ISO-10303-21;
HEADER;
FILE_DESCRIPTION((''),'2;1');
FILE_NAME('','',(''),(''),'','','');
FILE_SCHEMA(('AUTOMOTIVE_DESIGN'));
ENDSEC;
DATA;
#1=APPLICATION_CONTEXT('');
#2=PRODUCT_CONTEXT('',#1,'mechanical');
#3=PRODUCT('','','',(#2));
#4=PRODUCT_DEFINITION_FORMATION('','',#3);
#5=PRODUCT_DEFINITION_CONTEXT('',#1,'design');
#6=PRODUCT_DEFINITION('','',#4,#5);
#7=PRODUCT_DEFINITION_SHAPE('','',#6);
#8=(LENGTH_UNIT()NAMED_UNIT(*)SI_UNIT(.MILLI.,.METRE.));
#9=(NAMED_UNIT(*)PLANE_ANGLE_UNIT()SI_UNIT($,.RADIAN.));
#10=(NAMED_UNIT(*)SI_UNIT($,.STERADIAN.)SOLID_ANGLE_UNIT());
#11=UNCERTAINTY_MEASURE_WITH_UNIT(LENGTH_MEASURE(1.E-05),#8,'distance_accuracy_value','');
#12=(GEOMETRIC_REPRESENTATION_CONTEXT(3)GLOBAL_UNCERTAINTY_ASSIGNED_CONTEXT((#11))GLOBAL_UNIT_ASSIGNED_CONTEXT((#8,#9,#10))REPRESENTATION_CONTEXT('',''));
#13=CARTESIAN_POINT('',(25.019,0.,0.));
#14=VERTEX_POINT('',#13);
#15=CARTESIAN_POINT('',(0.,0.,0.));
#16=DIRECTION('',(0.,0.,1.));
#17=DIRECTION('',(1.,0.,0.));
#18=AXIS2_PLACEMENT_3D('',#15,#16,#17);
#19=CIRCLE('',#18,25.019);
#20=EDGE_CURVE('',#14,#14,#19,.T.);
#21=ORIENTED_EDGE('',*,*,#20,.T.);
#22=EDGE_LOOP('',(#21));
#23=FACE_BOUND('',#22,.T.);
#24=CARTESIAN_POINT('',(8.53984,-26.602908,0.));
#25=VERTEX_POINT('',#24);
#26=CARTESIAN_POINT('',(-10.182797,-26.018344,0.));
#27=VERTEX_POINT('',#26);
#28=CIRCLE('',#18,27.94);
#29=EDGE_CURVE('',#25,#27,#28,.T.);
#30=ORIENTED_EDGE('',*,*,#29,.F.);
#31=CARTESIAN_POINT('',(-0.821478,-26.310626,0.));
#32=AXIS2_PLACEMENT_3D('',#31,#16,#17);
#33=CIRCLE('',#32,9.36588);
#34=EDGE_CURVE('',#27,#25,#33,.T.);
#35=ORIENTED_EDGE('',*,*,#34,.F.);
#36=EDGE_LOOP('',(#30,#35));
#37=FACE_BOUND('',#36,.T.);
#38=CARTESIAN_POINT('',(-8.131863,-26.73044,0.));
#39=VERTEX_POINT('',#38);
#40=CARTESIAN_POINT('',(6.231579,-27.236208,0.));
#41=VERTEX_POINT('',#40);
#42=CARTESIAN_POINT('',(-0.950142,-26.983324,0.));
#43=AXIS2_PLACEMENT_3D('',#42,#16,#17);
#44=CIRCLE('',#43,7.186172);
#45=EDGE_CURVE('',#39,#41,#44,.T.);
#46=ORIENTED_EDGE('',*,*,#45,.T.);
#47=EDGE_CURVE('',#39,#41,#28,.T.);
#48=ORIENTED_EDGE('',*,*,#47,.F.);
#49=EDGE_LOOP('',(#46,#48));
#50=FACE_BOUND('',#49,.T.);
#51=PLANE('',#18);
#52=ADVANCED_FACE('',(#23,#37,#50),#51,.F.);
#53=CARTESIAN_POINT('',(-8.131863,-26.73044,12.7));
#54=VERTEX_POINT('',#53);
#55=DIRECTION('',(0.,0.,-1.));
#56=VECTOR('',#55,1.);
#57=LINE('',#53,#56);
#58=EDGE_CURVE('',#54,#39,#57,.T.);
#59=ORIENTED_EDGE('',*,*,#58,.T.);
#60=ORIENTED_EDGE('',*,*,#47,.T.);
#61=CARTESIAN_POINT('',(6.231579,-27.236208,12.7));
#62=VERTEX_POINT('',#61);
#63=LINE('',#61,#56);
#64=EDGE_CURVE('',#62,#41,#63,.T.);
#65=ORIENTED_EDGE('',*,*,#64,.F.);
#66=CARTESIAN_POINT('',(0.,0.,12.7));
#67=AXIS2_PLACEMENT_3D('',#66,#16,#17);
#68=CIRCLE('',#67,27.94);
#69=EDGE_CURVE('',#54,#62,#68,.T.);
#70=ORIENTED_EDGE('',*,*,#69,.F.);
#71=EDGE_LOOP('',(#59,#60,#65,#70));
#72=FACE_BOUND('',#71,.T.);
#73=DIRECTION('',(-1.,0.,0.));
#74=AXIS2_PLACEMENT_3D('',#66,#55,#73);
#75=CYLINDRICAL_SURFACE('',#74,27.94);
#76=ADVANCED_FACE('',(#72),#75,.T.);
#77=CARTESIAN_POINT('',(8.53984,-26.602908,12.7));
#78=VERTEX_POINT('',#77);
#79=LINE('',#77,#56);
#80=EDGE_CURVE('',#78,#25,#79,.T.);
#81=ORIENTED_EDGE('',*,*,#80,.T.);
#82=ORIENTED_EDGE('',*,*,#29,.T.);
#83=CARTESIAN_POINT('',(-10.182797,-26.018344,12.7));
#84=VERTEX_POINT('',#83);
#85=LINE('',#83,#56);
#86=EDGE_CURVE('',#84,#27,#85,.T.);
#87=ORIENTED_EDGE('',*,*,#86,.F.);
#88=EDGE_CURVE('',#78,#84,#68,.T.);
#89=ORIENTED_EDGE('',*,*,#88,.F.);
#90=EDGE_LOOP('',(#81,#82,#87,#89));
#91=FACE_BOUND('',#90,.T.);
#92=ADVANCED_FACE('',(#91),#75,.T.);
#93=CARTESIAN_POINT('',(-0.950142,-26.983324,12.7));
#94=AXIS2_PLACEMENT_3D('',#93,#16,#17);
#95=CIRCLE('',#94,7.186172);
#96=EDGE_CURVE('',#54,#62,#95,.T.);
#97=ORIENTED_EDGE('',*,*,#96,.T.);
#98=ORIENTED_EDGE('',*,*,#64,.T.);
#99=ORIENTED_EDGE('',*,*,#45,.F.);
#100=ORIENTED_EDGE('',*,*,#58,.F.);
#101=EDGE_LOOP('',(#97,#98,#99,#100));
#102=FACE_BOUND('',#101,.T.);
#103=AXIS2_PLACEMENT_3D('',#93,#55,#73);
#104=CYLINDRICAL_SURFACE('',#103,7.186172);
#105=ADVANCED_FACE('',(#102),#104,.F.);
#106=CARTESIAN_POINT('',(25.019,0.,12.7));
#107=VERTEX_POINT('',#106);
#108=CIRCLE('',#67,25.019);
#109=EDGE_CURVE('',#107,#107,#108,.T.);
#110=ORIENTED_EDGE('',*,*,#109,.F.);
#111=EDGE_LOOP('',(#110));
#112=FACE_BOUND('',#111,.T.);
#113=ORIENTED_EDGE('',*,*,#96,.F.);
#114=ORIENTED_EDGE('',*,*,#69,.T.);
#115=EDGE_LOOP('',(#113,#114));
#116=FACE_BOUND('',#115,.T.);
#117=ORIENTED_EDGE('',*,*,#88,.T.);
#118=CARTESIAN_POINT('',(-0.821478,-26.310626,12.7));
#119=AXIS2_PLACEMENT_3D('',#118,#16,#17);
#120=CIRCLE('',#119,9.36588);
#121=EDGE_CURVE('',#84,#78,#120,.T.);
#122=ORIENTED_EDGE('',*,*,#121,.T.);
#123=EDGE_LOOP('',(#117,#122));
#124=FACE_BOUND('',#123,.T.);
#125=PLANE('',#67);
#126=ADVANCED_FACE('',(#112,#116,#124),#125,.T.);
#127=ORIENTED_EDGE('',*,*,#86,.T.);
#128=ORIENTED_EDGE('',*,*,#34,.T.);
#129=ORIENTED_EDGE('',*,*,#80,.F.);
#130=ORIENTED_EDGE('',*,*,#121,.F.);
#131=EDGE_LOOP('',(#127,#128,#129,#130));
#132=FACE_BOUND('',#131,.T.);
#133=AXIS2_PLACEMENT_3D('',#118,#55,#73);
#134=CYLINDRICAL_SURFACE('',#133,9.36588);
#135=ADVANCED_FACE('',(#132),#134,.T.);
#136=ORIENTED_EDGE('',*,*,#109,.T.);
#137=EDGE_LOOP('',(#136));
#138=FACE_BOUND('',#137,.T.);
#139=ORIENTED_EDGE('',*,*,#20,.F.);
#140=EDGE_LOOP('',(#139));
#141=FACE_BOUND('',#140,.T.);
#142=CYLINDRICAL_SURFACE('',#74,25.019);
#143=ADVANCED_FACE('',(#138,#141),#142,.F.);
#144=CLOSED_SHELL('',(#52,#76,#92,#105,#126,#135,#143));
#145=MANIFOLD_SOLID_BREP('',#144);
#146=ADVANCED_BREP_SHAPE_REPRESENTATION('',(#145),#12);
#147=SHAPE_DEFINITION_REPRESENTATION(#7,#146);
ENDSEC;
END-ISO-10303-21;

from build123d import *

# Parameters (mm, degrees)
SKETCH1_R           = 27.94
SKETCH1_R_2         = 25.019
BOSS_EXTRUDE1_DEPTH = 12.7


with BuildPart() as part:
    # Sketch1 → Boss-Extrude1 (new body)
    with BuildSketch(Plane.XY):
        with BuildLine():
            ThreePointArc((-8.131862647, -26.730439762), (-9.164248984, -26.394320233), (-10.182796999, -26.018344399))
            ThreePointArc((-10.182796999, -26.018344399), (-1.113760176, -35.671945029), (8.539840454, -26.602908206))
            ThreePointArc((8.539840454, -26.602908206), (7.392494358, -26.944287468), (6.231578661, -27.236208021))
            ThreePointArc((6.231578661, -27.236208021), (-1.203026122, -34.165044546), (-8.131862647, -26.730439762))
        make_face()
        Circle(SKETCH1_R)
        Circle(SKETCH1_R_2, mode=Mode.SUBTRACT)
    extrude(amount=BOSS_EXTRUDE1_DEPTH)


solid = part.part
